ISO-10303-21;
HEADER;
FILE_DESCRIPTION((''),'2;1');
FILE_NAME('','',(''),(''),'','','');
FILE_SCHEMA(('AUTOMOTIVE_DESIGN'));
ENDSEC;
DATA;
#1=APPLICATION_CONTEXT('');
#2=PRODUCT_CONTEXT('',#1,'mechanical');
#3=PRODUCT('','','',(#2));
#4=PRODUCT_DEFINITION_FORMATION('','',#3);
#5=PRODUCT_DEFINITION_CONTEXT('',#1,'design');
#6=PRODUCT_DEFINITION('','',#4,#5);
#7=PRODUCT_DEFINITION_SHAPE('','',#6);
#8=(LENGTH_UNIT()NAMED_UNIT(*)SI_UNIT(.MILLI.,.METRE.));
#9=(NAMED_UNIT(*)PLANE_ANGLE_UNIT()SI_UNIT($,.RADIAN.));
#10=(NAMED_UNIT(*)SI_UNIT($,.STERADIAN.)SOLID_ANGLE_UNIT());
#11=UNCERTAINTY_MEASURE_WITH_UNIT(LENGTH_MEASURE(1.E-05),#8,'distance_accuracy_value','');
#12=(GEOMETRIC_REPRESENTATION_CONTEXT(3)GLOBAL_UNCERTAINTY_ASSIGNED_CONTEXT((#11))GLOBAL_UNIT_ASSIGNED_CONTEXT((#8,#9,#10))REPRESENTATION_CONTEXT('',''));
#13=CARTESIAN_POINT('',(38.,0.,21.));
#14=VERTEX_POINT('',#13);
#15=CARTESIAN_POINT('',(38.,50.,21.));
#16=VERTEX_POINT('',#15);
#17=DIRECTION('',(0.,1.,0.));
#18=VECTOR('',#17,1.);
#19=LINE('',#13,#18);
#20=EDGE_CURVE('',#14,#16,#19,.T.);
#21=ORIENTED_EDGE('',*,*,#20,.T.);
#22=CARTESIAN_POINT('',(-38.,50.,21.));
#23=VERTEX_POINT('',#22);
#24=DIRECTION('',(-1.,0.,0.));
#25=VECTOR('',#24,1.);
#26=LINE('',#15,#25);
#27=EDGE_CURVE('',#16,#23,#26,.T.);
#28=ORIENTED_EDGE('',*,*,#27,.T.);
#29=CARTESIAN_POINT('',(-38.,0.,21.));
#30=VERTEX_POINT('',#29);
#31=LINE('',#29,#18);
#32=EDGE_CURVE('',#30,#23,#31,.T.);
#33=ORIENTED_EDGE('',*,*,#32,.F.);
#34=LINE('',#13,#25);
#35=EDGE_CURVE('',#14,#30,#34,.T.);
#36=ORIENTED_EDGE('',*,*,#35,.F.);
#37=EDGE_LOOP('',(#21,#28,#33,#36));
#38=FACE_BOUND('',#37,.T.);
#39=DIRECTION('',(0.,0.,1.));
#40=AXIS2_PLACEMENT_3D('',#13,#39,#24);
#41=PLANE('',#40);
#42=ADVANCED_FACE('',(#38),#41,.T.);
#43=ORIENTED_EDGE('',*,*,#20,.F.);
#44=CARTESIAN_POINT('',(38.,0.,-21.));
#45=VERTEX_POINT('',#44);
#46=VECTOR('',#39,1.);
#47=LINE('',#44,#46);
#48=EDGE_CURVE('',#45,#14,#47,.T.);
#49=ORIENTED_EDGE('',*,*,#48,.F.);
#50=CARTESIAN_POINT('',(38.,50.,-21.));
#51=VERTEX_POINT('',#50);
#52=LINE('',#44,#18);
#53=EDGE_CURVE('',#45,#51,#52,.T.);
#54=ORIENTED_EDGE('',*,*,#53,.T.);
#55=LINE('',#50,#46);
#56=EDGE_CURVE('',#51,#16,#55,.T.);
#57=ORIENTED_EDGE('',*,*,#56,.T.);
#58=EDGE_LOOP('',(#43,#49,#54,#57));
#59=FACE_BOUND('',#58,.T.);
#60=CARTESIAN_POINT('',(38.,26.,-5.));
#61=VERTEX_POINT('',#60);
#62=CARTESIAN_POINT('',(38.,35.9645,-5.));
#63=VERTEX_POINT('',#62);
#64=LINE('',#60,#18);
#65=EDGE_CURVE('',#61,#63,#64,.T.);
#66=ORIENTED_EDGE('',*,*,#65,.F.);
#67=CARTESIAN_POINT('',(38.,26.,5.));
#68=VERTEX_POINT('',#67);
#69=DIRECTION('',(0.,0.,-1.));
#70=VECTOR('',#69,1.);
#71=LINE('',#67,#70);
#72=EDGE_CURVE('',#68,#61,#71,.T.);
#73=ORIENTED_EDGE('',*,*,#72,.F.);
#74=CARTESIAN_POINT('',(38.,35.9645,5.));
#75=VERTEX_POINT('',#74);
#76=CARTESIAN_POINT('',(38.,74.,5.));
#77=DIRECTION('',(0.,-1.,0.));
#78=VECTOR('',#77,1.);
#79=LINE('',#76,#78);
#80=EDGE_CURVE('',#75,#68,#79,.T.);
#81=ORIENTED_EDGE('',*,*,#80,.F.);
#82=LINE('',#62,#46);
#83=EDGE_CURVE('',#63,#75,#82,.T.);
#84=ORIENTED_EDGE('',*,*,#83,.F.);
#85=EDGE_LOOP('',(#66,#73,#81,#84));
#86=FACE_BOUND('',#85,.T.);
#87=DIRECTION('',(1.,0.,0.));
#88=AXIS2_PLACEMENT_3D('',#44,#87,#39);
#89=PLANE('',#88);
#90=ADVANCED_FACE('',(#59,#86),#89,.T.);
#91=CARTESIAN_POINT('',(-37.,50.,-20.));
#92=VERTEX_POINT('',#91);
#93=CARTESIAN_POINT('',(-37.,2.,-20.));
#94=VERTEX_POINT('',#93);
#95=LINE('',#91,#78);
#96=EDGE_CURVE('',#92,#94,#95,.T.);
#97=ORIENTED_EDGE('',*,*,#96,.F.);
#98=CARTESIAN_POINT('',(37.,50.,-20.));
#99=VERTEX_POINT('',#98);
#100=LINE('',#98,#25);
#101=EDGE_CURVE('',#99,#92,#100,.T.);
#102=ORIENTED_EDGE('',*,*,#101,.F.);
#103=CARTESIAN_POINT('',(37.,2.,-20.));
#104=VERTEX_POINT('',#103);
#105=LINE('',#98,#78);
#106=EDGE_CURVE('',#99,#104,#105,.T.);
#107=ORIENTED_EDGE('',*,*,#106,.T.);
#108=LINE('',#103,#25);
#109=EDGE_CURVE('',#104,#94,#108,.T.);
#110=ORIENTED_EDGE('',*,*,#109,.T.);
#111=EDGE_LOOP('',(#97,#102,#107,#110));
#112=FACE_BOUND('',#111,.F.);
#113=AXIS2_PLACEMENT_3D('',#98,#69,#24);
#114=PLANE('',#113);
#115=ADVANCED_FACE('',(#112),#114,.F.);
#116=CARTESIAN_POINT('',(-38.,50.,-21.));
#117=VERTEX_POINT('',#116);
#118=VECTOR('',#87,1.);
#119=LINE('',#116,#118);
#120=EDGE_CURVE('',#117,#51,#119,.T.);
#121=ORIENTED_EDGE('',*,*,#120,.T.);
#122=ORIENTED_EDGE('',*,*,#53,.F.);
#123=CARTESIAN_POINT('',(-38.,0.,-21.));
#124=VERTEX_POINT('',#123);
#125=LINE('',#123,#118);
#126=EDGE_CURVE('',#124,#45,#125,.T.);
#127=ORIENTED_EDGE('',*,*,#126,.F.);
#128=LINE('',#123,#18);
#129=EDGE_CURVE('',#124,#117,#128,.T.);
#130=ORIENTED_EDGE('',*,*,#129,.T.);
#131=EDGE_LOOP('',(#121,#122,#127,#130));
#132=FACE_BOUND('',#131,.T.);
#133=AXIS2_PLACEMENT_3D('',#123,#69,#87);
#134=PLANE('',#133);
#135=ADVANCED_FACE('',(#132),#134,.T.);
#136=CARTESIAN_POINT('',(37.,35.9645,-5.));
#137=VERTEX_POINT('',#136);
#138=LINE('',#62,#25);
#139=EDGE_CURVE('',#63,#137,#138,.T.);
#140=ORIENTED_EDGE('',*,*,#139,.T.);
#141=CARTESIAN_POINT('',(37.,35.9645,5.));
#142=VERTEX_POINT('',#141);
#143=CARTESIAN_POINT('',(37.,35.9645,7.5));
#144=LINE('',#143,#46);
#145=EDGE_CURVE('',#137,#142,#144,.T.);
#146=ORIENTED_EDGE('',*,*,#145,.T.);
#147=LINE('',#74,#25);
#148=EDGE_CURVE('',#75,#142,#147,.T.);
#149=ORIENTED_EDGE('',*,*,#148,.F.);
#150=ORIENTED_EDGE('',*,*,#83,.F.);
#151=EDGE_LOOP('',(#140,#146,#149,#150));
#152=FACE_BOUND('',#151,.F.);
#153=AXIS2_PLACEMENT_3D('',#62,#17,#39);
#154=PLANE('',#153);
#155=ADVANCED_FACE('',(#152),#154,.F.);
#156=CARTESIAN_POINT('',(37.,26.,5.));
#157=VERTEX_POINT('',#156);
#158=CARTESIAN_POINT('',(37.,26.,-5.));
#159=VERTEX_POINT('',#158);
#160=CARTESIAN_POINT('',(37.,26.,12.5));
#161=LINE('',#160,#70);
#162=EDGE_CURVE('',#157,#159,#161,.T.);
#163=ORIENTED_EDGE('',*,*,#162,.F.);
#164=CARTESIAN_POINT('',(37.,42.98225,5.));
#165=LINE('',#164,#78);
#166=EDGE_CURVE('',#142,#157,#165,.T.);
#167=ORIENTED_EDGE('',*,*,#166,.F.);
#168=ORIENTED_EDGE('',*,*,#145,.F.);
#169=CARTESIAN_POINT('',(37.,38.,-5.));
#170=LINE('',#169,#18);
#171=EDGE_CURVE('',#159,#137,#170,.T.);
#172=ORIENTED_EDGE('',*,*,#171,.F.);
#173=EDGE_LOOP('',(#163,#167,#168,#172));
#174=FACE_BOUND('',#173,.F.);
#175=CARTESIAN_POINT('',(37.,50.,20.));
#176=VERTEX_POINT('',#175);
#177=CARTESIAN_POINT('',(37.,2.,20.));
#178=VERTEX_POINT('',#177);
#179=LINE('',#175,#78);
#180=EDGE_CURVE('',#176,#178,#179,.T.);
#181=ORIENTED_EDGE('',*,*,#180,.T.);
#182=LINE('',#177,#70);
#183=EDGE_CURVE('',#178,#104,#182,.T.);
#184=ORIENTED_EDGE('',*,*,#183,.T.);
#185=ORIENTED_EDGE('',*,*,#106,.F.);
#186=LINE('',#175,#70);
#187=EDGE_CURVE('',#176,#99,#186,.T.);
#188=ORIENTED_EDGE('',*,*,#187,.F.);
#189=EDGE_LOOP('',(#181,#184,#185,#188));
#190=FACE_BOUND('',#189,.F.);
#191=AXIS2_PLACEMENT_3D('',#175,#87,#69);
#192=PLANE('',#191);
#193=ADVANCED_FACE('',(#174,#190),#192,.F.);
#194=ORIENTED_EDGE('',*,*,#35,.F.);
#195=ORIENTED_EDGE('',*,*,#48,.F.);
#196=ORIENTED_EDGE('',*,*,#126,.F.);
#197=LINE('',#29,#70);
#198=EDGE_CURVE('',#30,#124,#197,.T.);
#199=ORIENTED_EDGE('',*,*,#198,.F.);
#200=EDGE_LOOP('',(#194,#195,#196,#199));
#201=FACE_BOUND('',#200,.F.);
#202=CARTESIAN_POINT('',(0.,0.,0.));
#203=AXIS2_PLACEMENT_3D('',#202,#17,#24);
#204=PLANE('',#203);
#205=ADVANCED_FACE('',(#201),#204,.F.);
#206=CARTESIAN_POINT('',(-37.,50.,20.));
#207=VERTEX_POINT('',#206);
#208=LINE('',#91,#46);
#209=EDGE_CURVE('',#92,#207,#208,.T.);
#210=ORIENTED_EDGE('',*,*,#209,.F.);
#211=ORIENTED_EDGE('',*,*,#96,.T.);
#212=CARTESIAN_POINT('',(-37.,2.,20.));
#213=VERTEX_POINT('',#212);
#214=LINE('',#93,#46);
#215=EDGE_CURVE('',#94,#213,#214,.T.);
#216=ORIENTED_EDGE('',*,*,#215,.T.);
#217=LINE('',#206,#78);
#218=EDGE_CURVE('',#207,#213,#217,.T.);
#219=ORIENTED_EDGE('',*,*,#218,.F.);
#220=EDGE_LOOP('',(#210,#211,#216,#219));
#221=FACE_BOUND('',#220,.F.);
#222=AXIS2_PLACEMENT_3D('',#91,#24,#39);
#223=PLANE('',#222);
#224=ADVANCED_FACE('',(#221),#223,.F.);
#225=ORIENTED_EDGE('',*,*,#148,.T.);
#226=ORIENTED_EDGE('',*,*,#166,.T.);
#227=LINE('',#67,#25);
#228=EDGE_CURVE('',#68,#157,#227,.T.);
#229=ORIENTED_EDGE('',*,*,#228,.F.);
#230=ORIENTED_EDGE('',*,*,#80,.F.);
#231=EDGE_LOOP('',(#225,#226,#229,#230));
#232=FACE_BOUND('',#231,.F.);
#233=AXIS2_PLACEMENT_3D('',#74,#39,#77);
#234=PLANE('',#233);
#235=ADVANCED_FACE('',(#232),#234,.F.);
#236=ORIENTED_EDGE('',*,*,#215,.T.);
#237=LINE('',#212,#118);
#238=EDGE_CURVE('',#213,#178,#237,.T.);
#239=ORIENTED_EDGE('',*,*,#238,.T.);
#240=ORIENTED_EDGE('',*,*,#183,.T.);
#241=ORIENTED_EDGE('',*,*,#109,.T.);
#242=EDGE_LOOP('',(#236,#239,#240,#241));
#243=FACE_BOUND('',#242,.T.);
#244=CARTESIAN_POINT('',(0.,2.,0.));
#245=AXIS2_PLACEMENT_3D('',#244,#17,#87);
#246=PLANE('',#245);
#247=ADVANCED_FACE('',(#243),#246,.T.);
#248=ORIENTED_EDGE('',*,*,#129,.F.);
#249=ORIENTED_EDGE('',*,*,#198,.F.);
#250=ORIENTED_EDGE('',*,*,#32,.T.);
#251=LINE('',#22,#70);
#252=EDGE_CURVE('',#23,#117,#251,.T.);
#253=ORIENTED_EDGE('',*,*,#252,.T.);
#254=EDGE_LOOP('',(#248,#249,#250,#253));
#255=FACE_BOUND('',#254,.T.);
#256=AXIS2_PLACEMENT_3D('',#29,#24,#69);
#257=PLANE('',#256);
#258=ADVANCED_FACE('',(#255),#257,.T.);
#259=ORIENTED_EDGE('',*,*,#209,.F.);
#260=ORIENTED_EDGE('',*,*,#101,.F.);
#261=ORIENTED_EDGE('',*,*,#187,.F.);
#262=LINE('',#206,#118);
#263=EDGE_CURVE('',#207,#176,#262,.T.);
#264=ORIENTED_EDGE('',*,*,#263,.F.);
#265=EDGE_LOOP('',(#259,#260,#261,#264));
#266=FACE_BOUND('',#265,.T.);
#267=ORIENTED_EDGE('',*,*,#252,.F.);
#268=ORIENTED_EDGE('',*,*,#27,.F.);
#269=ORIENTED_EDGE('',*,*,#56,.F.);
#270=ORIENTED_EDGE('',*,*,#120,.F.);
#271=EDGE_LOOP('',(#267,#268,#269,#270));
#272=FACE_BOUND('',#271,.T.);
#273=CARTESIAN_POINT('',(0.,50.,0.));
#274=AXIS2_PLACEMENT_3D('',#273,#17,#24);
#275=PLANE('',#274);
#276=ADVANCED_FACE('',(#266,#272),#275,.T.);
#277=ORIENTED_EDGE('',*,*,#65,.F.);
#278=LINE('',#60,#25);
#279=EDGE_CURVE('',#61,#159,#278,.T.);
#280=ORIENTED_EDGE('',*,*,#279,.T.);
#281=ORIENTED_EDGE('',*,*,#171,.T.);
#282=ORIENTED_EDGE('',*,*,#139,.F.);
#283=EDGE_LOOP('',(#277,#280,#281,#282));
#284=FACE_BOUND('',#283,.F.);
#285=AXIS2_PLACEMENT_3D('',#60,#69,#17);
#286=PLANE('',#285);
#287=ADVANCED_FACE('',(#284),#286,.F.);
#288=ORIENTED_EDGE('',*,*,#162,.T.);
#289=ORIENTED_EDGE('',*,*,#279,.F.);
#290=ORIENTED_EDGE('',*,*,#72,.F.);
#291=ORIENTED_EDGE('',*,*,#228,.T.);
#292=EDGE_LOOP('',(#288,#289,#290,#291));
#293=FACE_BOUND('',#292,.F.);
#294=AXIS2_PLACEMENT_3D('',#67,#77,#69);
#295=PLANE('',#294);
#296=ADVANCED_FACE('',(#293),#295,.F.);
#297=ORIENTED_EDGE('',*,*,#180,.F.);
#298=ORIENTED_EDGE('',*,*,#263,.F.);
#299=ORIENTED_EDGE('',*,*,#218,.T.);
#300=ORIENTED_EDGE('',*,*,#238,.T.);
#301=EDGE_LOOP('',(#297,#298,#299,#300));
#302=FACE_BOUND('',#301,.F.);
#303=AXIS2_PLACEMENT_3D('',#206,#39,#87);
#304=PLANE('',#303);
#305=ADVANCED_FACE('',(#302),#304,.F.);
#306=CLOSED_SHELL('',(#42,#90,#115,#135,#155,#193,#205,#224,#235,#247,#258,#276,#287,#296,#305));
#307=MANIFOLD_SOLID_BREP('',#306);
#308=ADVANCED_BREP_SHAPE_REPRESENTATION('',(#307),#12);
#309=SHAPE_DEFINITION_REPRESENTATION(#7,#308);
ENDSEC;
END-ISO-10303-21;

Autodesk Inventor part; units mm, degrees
ref_plane "YZ Plane" through (0, 0, 0) normal (1, 0, 0) x (0, 1, 0)
ref_plane "XZ Plane" through (0, 0, 0) normal (0, 1, 0) x (-1, 0, 0)
ref_plane "XY Plane" through (0, 0, 0) normal (0, 0, 1) x (1, 0, 0)
sketch "Sketch1" plane through (0, 0, 0) normal (0, 1, 0) x (-1, 0, 0)
  line L0 (-38, 21) -> (38, 21)
  line L1 (38, 21) -> (38, -21)
  line L2 (38, -21) -> (-38, -21)
  line L3 (-38, -21) -> (-38, 21)
  line L4 (-38, 21) -> (38, -21) construction
  line L5 (38, 21) -> (-38, -21) construction
  point P0 (0, 0)
  dimension "d0" = 42
  dimension "d1" = 76
extrude "Extrusion1" add sketch "Sketch1" along normal blind 50
sketch "Sketch2" plane through (0, 50, 0) normal (0, 1, 0) x (1, 0, 0)
  point P0 (0, 0)
sketch "Sketch3" plane through (0, 50, 0) normal (0, 1, 0) x (1, 0, 0)
  line L0 (-37, -20) -> (37, -20)
  line L1 (37, -20) -> (37, 20)
  line L2 (37, 20) -> (-37, 20)
  line L3 (-37, 20) -> (-37, -20)
  line L4 (-37, -20) -> (37, 20) construction
  line L5 (37, -20) -> (-37, 20) construction
  point P0 (0, 0)
  dimension "d4" = 40
  dimension "d5" = 74
extrude "Extrusion2" cut sketch "Sketch3" against normal blind 48
sketch "Sketch4" plane through (38, 0, 21) normal (1, 0, 0) x (0, 0, -1)
  line L0 (26, 74) -> (16, 74)
  line L1 (16, 74) -> (16, 26)
  line L2 (16, 26) -> (26, 26)
  line L3 (26, 26) -> (26, 74)
  line L4 (0, 50) -> (42, 50) projected
  line L5 (26, 74) -> (16, 26) construction
  line L6 (16, 74) -> (26, 26) construction
  line L7 (16, 26) -> (26, 26)
  line L8 (26, 26) -> (26, 35.9645)
  line L9 (26, 35.9645) -> (16, 35.9645)
  line L10 (16, 35.9645) -> (16, 26)
  point P0 (21, 0)
  point P1 (21, 50)
  dimension "d8" = 10
  dimension "d9" = 48
  dimension "d10" = 10
extrude "Extrusion3" cut sketch "Sketch4" against normal blind 20 contours L3 L2 L1 L9
properties part number "mcu_place"
